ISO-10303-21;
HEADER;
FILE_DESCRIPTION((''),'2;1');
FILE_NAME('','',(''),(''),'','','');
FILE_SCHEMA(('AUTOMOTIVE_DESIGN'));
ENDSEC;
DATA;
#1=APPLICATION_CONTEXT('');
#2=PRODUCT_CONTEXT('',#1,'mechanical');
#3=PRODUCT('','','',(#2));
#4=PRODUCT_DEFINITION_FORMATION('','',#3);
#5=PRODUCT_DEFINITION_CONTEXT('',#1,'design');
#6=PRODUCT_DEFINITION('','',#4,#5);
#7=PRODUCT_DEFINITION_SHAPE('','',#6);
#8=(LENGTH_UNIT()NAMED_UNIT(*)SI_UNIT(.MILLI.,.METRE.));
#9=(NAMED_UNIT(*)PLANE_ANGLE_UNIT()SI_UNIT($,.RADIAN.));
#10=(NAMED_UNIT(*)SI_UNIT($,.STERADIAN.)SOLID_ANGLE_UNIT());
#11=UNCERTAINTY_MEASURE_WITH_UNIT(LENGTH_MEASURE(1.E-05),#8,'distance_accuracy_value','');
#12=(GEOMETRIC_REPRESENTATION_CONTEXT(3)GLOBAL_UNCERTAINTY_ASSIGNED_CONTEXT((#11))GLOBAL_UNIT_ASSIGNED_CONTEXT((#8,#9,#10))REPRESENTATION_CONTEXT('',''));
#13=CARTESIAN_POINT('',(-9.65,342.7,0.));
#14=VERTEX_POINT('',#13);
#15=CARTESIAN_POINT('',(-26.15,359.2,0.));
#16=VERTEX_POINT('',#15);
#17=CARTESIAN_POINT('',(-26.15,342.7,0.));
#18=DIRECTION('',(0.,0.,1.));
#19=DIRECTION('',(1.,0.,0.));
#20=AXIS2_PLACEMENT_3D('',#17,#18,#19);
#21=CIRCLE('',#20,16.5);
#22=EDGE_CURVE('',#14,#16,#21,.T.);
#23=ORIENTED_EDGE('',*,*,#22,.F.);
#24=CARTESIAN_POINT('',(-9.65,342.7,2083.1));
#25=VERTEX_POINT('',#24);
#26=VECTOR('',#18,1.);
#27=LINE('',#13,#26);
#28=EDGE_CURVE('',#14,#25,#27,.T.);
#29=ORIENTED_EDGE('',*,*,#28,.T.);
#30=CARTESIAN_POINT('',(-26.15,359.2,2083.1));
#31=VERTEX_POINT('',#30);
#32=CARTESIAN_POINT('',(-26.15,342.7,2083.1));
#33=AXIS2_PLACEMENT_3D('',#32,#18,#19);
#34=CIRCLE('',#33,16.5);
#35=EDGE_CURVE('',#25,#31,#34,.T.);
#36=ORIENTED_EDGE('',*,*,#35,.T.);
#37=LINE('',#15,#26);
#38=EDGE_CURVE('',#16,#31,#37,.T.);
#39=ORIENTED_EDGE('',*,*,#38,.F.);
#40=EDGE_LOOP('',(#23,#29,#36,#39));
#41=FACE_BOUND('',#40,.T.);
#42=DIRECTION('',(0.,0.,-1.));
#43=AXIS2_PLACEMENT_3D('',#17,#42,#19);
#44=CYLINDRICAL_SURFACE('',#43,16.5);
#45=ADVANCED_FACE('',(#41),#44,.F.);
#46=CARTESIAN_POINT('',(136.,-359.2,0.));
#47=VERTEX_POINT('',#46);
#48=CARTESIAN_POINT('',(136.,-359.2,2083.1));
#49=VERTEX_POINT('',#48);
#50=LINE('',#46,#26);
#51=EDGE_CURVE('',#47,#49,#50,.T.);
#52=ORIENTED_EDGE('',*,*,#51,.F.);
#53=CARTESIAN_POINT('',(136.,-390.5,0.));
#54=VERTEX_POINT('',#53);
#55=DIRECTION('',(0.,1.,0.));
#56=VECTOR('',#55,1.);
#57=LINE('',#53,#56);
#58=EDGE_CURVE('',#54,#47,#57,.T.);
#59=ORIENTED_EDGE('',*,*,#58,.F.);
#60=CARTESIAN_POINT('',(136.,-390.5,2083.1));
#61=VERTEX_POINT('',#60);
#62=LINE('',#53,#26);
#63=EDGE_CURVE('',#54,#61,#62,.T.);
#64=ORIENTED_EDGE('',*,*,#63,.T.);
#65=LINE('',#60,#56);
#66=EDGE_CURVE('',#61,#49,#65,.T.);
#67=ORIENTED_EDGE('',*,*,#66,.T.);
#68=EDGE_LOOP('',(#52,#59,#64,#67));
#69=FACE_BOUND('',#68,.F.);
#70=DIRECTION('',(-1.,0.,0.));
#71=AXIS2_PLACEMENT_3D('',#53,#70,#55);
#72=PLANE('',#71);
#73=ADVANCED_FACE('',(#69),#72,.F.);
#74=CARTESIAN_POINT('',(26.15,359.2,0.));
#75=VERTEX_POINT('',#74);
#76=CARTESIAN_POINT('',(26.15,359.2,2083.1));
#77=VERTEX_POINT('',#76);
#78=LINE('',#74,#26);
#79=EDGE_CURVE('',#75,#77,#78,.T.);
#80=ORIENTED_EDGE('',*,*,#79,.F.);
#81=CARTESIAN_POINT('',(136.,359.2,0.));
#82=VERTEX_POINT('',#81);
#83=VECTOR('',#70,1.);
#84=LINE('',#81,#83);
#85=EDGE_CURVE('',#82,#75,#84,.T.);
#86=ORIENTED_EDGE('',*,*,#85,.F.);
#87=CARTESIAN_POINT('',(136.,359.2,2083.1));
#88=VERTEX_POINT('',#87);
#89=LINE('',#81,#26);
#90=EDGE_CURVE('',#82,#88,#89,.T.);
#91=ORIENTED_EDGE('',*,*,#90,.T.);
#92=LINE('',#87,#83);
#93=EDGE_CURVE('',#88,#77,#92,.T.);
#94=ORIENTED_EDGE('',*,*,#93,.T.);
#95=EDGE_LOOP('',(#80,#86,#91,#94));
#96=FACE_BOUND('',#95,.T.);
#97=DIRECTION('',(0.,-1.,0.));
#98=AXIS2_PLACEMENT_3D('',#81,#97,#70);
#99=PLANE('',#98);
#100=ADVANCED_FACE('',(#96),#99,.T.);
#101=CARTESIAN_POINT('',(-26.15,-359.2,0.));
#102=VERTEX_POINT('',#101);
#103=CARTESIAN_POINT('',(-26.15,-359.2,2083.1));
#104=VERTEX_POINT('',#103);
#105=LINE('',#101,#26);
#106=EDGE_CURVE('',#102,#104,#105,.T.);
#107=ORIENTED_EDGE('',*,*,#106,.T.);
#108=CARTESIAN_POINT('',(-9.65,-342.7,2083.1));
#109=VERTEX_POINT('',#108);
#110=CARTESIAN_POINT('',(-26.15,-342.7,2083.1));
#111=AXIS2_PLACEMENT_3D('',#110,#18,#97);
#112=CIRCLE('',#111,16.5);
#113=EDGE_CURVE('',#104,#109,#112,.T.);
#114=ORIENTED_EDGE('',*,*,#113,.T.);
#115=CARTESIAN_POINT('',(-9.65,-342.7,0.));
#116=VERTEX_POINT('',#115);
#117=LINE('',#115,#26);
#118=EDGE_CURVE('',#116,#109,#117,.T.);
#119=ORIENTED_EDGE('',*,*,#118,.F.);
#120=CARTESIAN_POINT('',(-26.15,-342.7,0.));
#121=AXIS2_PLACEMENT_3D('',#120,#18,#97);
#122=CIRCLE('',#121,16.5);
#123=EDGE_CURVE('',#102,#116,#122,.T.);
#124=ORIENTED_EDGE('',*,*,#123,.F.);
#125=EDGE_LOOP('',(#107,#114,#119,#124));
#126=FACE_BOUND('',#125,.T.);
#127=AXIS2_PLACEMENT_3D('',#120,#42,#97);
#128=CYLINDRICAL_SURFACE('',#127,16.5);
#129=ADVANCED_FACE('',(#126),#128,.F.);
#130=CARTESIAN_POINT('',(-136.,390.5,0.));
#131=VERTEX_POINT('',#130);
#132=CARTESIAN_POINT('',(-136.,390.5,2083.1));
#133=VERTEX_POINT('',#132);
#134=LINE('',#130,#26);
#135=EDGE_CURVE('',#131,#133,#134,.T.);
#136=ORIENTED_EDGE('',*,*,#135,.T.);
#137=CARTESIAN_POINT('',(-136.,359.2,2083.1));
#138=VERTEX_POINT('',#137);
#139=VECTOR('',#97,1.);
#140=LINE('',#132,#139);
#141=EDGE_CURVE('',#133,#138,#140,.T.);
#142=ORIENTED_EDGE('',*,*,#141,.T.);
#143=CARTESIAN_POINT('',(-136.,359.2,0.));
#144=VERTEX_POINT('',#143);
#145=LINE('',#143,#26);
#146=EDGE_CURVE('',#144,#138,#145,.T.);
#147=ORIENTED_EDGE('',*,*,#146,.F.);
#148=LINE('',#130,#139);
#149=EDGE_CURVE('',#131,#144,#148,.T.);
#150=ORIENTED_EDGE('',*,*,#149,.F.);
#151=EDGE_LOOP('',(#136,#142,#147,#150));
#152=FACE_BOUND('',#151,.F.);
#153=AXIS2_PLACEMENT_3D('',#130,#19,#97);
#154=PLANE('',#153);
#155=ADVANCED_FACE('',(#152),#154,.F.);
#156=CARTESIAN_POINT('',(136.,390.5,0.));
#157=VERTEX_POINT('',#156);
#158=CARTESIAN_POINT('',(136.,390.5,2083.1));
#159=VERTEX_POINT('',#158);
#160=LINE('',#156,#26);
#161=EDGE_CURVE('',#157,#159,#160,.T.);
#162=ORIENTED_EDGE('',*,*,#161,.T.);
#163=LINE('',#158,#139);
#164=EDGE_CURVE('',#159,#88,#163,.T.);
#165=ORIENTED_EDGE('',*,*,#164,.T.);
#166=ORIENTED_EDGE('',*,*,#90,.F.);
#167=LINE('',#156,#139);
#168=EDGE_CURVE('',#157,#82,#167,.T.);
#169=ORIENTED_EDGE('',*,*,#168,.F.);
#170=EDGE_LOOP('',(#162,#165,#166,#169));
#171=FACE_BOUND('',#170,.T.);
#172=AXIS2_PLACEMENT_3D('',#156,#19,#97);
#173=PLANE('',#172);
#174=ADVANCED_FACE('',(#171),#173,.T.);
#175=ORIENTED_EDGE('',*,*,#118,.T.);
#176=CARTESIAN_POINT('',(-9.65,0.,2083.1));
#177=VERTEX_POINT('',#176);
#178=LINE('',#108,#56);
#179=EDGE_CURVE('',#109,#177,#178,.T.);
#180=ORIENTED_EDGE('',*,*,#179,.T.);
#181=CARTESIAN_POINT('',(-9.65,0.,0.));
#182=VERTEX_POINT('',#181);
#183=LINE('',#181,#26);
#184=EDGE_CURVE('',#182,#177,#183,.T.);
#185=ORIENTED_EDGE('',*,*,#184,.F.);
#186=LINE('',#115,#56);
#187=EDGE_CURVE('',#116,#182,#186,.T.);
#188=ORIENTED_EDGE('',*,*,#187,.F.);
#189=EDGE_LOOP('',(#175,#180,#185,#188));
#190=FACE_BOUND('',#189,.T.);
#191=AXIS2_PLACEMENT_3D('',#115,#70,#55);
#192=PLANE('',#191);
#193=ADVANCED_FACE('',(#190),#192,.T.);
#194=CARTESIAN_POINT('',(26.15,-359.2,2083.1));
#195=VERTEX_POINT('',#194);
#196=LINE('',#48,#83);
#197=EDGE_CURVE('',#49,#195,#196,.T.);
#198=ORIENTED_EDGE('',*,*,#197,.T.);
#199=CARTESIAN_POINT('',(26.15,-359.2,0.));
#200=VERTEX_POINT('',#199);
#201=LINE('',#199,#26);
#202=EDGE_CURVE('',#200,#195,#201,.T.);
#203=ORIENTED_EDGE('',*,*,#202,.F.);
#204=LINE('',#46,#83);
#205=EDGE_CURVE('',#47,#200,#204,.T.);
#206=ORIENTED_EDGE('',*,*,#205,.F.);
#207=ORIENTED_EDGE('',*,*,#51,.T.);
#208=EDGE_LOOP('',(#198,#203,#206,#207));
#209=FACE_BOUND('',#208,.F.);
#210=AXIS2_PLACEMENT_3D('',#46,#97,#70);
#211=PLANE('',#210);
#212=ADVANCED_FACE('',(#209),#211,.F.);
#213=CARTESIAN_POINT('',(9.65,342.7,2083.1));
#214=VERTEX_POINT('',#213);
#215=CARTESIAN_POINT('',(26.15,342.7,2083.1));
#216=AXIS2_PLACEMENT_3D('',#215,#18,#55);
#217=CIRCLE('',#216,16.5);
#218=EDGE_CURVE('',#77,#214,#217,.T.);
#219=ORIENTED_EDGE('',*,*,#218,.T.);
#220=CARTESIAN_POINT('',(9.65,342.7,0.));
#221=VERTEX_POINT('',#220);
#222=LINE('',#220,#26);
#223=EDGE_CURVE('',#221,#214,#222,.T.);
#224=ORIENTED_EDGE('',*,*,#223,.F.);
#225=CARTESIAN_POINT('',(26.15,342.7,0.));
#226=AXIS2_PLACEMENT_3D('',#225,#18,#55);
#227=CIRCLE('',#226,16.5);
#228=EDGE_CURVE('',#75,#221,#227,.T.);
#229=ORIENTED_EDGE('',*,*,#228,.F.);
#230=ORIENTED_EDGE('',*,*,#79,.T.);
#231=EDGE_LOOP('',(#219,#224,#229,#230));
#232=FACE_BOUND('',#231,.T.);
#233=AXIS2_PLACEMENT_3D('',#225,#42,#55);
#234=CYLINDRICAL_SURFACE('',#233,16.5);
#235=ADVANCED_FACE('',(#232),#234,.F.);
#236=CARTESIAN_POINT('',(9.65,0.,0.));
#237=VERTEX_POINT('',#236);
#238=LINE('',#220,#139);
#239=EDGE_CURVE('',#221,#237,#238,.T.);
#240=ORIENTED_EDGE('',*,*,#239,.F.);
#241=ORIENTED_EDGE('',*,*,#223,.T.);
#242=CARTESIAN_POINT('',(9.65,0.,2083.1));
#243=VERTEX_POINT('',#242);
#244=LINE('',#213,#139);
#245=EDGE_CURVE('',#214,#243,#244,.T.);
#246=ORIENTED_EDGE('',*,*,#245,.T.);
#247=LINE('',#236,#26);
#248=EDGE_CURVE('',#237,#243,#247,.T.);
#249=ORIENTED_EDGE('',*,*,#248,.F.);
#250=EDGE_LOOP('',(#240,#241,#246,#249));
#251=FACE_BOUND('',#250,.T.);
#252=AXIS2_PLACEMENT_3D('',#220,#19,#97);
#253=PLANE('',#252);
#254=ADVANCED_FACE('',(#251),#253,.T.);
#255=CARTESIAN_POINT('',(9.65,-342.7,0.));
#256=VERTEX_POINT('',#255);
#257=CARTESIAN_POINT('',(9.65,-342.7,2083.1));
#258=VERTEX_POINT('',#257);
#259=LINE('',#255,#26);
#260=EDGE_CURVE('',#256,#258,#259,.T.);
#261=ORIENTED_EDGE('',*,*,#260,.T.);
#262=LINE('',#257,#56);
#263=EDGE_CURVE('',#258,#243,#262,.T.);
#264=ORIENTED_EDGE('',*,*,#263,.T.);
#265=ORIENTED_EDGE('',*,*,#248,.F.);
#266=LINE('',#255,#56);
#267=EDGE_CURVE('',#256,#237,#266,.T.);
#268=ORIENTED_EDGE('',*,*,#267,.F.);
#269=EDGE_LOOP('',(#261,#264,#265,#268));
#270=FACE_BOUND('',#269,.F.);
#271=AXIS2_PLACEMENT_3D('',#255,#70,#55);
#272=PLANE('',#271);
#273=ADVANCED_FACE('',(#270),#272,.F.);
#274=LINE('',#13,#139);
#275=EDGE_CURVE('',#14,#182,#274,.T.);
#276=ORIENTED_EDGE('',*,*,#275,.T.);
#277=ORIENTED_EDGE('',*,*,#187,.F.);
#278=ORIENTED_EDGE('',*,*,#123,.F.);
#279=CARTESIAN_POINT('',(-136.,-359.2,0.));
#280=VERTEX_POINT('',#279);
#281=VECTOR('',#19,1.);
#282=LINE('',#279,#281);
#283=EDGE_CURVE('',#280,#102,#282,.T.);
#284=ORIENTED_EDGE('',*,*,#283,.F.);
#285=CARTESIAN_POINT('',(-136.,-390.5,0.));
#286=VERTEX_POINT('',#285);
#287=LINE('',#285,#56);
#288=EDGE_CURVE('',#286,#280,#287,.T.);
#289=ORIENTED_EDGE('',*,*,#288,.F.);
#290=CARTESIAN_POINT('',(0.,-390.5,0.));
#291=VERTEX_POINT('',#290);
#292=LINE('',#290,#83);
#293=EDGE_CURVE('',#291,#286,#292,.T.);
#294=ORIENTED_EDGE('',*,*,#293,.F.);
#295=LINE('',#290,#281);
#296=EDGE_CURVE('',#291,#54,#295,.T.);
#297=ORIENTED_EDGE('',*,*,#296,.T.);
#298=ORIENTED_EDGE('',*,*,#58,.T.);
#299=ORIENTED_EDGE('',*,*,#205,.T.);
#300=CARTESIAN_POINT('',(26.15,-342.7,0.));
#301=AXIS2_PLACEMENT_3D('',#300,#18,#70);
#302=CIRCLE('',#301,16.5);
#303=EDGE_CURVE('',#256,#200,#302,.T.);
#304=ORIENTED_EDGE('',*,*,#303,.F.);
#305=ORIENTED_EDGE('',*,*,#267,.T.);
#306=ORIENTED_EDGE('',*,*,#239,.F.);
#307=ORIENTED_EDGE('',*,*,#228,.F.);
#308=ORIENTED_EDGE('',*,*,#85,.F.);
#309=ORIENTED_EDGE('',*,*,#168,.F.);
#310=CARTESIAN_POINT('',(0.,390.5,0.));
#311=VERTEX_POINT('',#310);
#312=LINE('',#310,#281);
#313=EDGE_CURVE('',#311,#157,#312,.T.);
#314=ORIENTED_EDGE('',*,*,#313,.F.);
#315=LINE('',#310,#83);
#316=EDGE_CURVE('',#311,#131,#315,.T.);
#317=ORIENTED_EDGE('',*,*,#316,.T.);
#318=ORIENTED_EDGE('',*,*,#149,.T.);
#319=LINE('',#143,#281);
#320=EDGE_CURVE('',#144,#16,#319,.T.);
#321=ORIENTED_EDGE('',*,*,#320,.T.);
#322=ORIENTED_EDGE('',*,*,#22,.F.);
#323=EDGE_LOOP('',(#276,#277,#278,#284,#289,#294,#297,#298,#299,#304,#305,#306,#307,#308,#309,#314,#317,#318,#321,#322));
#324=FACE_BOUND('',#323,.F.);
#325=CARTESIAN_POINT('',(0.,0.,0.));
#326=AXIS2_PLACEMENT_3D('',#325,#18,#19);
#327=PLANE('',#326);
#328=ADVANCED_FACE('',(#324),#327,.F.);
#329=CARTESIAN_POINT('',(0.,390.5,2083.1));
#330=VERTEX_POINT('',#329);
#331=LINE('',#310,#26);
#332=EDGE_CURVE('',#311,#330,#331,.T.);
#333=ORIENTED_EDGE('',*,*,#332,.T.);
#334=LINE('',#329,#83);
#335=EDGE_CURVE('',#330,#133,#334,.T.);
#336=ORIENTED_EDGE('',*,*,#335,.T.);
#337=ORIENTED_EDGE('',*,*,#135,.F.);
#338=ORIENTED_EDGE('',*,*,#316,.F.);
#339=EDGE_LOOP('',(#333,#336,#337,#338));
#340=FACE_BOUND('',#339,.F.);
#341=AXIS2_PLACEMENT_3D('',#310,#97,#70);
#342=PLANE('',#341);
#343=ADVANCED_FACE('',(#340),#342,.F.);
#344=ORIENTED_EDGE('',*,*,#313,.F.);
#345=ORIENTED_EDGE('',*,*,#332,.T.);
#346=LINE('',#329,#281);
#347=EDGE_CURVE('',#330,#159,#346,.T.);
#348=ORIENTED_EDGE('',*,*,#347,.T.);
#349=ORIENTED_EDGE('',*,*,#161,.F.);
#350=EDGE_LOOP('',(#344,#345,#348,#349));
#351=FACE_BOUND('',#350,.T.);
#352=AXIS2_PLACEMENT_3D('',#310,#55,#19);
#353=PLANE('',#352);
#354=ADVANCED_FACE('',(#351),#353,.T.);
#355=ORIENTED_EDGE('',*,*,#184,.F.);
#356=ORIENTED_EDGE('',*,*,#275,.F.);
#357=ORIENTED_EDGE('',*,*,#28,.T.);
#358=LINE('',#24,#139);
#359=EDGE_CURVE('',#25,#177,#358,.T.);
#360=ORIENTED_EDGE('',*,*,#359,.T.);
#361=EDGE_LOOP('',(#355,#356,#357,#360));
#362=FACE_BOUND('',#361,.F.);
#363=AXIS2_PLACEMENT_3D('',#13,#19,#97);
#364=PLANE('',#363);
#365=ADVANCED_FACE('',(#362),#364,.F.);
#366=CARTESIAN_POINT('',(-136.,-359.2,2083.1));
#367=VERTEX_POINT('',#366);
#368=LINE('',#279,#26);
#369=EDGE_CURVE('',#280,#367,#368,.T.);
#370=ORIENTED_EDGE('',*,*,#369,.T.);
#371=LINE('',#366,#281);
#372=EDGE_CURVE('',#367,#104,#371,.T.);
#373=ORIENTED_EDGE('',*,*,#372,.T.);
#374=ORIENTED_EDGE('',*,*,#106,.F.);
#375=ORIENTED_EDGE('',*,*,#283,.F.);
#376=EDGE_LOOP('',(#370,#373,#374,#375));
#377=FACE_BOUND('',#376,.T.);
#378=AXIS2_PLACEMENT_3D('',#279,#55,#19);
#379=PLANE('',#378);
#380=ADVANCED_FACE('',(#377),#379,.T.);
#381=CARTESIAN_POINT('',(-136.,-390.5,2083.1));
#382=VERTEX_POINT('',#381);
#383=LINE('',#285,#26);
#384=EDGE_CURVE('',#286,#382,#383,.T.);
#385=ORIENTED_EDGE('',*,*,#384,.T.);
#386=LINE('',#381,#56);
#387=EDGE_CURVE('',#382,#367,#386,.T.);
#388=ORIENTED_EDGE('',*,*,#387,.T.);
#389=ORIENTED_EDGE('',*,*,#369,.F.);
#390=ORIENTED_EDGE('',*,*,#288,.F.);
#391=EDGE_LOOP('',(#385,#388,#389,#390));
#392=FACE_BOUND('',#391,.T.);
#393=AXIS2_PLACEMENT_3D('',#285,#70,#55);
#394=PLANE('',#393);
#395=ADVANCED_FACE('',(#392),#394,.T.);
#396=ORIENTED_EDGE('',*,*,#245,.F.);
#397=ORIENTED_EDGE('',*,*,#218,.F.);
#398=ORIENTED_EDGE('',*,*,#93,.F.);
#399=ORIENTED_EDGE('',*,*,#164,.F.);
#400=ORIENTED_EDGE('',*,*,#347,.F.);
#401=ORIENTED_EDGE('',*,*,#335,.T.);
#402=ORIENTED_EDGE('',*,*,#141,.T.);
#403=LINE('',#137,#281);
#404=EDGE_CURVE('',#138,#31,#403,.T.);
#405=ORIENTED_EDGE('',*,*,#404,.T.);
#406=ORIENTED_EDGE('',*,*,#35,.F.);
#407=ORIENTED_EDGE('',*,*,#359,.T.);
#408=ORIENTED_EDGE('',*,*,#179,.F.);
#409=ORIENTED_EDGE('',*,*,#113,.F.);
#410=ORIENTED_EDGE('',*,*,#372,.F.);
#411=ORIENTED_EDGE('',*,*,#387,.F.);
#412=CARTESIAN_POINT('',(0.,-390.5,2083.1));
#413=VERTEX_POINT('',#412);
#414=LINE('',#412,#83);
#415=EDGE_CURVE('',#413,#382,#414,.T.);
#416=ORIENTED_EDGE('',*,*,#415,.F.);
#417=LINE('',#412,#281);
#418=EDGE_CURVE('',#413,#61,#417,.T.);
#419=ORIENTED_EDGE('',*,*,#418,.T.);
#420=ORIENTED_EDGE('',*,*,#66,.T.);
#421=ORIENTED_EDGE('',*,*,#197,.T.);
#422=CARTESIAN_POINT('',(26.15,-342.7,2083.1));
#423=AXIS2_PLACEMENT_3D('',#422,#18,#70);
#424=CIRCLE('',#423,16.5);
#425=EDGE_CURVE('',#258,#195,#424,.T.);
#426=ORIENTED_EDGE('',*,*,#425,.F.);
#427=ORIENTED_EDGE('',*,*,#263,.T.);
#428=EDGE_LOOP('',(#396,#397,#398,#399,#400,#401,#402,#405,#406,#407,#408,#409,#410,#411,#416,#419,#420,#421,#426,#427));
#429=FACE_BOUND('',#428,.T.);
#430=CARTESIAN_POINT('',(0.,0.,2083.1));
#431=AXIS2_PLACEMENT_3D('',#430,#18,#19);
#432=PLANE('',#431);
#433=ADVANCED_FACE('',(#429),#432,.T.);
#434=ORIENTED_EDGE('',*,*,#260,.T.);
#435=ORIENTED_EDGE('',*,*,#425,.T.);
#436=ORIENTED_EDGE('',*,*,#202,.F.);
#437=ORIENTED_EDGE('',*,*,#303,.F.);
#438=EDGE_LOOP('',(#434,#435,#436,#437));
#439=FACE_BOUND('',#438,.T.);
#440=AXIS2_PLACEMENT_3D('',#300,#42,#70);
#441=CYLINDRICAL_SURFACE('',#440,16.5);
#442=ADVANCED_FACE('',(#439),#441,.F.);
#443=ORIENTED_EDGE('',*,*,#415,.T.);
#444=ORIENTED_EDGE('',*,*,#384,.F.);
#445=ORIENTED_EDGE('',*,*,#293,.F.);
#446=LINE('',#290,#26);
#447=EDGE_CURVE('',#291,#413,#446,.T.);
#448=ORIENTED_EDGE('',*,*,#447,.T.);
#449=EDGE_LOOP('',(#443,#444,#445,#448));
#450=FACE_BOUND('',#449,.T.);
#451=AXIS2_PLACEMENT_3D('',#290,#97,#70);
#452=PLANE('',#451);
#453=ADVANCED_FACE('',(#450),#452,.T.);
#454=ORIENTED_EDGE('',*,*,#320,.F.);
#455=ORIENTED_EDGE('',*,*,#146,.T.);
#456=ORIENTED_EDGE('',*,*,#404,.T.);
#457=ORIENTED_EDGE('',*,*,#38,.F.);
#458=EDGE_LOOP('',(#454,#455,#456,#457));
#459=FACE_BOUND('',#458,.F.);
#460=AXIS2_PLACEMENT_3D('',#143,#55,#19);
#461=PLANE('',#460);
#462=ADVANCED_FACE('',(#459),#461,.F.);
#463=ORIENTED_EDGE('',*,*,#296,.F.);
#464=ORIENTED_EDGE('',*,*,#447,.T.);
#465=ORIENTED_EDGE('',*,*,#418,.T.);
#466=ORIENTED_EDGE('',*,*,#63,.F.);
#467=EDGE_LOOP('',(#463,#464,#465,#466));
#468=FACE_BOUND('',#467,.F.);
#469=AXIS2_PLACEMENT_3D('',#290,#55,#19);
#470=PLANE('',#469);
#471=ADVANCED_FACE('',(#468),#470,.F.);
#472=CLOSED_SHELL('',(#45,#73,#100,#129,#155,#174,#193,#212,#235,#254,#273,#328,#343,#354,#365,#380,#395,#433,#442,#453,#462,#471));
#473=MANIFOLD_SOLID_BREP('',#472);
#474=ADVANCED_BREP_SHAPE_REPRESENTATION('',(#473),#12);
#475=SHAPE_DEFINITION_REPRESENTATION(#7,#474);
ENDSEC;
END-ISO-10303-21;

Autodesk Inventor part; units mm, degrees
ref_plane "YZ Plane" through (0, 0, 0) normal (1, 0, 0) x (0, 1, 0)
ref_plane "Start plane" through (0, 0, 0) normal (0, 0, 1) x (1, 0, 0)
ref_plane "End plane" through (0, 0, 2083.1) normal (0, 0, 1) x (1, 0, 0)
sketch "Sketch" plane through (0, 0, 0) normal (0, 0, 1) x (1, 0, 0)
  line L0 (-136, -390.5) -> (-136, -359.2)
  line L1 (-136, -359.2) -> (-26.15, -359.2)
  line L2 (-9.65, -342.7) -> (-9.65, 0)
  line L3 (-9.65, 0) -> (0, 0) construction
  line L4 (0, 0) -> (0, -390.5) construction
  line L5 (0, -390.5) -> (-136, -390.5)
  line L6 (-60, 0) -> (80, 0) construction
  line L7 (0, -60) -> (0, 80) construction
  line L8 (136, -390.5) -> (136, -359.2)
  line L9 (136, -359.2) -> (26.15, -359.2)
  line L10 (9.65, -342.7) -> (9.65, 0)
  line L11 (9.65, 0) -> (0, 0) construction
  line L12 (0, -390.5) -> (136, -390.5)
  line L13 (-136, 390.5) -> (-136, 359.2)
  line L14 (-136, 359.2) -> (-26.15, 359.2)
  line L15 (-9.65, 342.7) -> (-9.65, 0)
  line L16 (0, 390.5) -> (-136, 390.5)
  line L17 (136, 390.5) -> (136, 359.2)
  line L18 (136, 359.2) -> (26.15, 359.2)
  line L19 (0, 390.5) -> (136, 390.5)
  line L20 (9.65, 342.7) -> (9.65, 0)
  arc A0 (-9.65, 342.7) -> (-26.15, 359.2) centre (-26.15, 342.7) ccw
  arc A1 (26.15, 359.2) -> (9.65, 342.7) centre (26.15, 342.7) ccw
  arc A2 (9.65, -342.7) -> (26.15, -359.2) centre (26.15, -342.7) ccw
  arc A3 (-26.15, -359.2) -> (-9.65, -342.7) centre (-26.15, -342.7) ccw
  line L21 (0, 108) -> (0, -88) construction
  line L22 (-88, 0) -> (108, 0) construction
  point P0 (-9.65, -359.2)
  point P1 (9.65, -359.2)
  point P2 (-9.65, 359.2)
  point P3 (9.65, 359.2)
  dimension "d1" = 390.5
  dimension "d2" = 31.3
  dimension "d3" = 136
  dimension "d4" = 9.65
  dimension "d10" = 16.5
extrude "Body" add sketch "Sketch" along normal up to surface (2083.1 mm away) from surface at 0
sketch "Sketch4" plane through (0, 0, 0) normal (0, 0, 1) x (1, 0, 0)
  line L0 (0, 0) -> (10, 0)
ref_plane "Work Plane3" through (0, 0, 0) normal (0, -1, 0) x (1, 0, 0)
sketch "Sketch5" plane through (0, 0, 0) normal (0, -1, 0) x (1, 0, 0)
  line L0 (-2, 0) -> (12, 0) projected
  line L1 (-2, 2083.1) -> (12, 2083.1) projected
  dimension "d14" = 2083.1
equation "\"d1\" = 0.5 * G_H"
equation "\"d2\" = G_T1"
equation "\"d3\" = 0.5 * G_W"
equation "\"d4\" = 0.5 * G_T"
equation "\"d10\" = G_IR"
equation "\"d5\" = G_L"
equation "\"G_W\" = 272"
equation "\"G_H\" = 781"
equation "\"G_T\" = 19.3"
equation "\"G_T1\" = 31.3"
equation "\"G_IR\" = 16.5"
equation "\"G_L\" = d14"
equation "\"G_OFFSET_START\" = 0"
equation "\"G_OFFSET_END\" = 0"
equation "\"d12\" = G_OFFSET_END + B_L"
equation "\"B_L\" = 2083.1"
properties part number "AS 3679-1990 - 760 UB - 244 - 2083.1" material "Steel, Mild"
